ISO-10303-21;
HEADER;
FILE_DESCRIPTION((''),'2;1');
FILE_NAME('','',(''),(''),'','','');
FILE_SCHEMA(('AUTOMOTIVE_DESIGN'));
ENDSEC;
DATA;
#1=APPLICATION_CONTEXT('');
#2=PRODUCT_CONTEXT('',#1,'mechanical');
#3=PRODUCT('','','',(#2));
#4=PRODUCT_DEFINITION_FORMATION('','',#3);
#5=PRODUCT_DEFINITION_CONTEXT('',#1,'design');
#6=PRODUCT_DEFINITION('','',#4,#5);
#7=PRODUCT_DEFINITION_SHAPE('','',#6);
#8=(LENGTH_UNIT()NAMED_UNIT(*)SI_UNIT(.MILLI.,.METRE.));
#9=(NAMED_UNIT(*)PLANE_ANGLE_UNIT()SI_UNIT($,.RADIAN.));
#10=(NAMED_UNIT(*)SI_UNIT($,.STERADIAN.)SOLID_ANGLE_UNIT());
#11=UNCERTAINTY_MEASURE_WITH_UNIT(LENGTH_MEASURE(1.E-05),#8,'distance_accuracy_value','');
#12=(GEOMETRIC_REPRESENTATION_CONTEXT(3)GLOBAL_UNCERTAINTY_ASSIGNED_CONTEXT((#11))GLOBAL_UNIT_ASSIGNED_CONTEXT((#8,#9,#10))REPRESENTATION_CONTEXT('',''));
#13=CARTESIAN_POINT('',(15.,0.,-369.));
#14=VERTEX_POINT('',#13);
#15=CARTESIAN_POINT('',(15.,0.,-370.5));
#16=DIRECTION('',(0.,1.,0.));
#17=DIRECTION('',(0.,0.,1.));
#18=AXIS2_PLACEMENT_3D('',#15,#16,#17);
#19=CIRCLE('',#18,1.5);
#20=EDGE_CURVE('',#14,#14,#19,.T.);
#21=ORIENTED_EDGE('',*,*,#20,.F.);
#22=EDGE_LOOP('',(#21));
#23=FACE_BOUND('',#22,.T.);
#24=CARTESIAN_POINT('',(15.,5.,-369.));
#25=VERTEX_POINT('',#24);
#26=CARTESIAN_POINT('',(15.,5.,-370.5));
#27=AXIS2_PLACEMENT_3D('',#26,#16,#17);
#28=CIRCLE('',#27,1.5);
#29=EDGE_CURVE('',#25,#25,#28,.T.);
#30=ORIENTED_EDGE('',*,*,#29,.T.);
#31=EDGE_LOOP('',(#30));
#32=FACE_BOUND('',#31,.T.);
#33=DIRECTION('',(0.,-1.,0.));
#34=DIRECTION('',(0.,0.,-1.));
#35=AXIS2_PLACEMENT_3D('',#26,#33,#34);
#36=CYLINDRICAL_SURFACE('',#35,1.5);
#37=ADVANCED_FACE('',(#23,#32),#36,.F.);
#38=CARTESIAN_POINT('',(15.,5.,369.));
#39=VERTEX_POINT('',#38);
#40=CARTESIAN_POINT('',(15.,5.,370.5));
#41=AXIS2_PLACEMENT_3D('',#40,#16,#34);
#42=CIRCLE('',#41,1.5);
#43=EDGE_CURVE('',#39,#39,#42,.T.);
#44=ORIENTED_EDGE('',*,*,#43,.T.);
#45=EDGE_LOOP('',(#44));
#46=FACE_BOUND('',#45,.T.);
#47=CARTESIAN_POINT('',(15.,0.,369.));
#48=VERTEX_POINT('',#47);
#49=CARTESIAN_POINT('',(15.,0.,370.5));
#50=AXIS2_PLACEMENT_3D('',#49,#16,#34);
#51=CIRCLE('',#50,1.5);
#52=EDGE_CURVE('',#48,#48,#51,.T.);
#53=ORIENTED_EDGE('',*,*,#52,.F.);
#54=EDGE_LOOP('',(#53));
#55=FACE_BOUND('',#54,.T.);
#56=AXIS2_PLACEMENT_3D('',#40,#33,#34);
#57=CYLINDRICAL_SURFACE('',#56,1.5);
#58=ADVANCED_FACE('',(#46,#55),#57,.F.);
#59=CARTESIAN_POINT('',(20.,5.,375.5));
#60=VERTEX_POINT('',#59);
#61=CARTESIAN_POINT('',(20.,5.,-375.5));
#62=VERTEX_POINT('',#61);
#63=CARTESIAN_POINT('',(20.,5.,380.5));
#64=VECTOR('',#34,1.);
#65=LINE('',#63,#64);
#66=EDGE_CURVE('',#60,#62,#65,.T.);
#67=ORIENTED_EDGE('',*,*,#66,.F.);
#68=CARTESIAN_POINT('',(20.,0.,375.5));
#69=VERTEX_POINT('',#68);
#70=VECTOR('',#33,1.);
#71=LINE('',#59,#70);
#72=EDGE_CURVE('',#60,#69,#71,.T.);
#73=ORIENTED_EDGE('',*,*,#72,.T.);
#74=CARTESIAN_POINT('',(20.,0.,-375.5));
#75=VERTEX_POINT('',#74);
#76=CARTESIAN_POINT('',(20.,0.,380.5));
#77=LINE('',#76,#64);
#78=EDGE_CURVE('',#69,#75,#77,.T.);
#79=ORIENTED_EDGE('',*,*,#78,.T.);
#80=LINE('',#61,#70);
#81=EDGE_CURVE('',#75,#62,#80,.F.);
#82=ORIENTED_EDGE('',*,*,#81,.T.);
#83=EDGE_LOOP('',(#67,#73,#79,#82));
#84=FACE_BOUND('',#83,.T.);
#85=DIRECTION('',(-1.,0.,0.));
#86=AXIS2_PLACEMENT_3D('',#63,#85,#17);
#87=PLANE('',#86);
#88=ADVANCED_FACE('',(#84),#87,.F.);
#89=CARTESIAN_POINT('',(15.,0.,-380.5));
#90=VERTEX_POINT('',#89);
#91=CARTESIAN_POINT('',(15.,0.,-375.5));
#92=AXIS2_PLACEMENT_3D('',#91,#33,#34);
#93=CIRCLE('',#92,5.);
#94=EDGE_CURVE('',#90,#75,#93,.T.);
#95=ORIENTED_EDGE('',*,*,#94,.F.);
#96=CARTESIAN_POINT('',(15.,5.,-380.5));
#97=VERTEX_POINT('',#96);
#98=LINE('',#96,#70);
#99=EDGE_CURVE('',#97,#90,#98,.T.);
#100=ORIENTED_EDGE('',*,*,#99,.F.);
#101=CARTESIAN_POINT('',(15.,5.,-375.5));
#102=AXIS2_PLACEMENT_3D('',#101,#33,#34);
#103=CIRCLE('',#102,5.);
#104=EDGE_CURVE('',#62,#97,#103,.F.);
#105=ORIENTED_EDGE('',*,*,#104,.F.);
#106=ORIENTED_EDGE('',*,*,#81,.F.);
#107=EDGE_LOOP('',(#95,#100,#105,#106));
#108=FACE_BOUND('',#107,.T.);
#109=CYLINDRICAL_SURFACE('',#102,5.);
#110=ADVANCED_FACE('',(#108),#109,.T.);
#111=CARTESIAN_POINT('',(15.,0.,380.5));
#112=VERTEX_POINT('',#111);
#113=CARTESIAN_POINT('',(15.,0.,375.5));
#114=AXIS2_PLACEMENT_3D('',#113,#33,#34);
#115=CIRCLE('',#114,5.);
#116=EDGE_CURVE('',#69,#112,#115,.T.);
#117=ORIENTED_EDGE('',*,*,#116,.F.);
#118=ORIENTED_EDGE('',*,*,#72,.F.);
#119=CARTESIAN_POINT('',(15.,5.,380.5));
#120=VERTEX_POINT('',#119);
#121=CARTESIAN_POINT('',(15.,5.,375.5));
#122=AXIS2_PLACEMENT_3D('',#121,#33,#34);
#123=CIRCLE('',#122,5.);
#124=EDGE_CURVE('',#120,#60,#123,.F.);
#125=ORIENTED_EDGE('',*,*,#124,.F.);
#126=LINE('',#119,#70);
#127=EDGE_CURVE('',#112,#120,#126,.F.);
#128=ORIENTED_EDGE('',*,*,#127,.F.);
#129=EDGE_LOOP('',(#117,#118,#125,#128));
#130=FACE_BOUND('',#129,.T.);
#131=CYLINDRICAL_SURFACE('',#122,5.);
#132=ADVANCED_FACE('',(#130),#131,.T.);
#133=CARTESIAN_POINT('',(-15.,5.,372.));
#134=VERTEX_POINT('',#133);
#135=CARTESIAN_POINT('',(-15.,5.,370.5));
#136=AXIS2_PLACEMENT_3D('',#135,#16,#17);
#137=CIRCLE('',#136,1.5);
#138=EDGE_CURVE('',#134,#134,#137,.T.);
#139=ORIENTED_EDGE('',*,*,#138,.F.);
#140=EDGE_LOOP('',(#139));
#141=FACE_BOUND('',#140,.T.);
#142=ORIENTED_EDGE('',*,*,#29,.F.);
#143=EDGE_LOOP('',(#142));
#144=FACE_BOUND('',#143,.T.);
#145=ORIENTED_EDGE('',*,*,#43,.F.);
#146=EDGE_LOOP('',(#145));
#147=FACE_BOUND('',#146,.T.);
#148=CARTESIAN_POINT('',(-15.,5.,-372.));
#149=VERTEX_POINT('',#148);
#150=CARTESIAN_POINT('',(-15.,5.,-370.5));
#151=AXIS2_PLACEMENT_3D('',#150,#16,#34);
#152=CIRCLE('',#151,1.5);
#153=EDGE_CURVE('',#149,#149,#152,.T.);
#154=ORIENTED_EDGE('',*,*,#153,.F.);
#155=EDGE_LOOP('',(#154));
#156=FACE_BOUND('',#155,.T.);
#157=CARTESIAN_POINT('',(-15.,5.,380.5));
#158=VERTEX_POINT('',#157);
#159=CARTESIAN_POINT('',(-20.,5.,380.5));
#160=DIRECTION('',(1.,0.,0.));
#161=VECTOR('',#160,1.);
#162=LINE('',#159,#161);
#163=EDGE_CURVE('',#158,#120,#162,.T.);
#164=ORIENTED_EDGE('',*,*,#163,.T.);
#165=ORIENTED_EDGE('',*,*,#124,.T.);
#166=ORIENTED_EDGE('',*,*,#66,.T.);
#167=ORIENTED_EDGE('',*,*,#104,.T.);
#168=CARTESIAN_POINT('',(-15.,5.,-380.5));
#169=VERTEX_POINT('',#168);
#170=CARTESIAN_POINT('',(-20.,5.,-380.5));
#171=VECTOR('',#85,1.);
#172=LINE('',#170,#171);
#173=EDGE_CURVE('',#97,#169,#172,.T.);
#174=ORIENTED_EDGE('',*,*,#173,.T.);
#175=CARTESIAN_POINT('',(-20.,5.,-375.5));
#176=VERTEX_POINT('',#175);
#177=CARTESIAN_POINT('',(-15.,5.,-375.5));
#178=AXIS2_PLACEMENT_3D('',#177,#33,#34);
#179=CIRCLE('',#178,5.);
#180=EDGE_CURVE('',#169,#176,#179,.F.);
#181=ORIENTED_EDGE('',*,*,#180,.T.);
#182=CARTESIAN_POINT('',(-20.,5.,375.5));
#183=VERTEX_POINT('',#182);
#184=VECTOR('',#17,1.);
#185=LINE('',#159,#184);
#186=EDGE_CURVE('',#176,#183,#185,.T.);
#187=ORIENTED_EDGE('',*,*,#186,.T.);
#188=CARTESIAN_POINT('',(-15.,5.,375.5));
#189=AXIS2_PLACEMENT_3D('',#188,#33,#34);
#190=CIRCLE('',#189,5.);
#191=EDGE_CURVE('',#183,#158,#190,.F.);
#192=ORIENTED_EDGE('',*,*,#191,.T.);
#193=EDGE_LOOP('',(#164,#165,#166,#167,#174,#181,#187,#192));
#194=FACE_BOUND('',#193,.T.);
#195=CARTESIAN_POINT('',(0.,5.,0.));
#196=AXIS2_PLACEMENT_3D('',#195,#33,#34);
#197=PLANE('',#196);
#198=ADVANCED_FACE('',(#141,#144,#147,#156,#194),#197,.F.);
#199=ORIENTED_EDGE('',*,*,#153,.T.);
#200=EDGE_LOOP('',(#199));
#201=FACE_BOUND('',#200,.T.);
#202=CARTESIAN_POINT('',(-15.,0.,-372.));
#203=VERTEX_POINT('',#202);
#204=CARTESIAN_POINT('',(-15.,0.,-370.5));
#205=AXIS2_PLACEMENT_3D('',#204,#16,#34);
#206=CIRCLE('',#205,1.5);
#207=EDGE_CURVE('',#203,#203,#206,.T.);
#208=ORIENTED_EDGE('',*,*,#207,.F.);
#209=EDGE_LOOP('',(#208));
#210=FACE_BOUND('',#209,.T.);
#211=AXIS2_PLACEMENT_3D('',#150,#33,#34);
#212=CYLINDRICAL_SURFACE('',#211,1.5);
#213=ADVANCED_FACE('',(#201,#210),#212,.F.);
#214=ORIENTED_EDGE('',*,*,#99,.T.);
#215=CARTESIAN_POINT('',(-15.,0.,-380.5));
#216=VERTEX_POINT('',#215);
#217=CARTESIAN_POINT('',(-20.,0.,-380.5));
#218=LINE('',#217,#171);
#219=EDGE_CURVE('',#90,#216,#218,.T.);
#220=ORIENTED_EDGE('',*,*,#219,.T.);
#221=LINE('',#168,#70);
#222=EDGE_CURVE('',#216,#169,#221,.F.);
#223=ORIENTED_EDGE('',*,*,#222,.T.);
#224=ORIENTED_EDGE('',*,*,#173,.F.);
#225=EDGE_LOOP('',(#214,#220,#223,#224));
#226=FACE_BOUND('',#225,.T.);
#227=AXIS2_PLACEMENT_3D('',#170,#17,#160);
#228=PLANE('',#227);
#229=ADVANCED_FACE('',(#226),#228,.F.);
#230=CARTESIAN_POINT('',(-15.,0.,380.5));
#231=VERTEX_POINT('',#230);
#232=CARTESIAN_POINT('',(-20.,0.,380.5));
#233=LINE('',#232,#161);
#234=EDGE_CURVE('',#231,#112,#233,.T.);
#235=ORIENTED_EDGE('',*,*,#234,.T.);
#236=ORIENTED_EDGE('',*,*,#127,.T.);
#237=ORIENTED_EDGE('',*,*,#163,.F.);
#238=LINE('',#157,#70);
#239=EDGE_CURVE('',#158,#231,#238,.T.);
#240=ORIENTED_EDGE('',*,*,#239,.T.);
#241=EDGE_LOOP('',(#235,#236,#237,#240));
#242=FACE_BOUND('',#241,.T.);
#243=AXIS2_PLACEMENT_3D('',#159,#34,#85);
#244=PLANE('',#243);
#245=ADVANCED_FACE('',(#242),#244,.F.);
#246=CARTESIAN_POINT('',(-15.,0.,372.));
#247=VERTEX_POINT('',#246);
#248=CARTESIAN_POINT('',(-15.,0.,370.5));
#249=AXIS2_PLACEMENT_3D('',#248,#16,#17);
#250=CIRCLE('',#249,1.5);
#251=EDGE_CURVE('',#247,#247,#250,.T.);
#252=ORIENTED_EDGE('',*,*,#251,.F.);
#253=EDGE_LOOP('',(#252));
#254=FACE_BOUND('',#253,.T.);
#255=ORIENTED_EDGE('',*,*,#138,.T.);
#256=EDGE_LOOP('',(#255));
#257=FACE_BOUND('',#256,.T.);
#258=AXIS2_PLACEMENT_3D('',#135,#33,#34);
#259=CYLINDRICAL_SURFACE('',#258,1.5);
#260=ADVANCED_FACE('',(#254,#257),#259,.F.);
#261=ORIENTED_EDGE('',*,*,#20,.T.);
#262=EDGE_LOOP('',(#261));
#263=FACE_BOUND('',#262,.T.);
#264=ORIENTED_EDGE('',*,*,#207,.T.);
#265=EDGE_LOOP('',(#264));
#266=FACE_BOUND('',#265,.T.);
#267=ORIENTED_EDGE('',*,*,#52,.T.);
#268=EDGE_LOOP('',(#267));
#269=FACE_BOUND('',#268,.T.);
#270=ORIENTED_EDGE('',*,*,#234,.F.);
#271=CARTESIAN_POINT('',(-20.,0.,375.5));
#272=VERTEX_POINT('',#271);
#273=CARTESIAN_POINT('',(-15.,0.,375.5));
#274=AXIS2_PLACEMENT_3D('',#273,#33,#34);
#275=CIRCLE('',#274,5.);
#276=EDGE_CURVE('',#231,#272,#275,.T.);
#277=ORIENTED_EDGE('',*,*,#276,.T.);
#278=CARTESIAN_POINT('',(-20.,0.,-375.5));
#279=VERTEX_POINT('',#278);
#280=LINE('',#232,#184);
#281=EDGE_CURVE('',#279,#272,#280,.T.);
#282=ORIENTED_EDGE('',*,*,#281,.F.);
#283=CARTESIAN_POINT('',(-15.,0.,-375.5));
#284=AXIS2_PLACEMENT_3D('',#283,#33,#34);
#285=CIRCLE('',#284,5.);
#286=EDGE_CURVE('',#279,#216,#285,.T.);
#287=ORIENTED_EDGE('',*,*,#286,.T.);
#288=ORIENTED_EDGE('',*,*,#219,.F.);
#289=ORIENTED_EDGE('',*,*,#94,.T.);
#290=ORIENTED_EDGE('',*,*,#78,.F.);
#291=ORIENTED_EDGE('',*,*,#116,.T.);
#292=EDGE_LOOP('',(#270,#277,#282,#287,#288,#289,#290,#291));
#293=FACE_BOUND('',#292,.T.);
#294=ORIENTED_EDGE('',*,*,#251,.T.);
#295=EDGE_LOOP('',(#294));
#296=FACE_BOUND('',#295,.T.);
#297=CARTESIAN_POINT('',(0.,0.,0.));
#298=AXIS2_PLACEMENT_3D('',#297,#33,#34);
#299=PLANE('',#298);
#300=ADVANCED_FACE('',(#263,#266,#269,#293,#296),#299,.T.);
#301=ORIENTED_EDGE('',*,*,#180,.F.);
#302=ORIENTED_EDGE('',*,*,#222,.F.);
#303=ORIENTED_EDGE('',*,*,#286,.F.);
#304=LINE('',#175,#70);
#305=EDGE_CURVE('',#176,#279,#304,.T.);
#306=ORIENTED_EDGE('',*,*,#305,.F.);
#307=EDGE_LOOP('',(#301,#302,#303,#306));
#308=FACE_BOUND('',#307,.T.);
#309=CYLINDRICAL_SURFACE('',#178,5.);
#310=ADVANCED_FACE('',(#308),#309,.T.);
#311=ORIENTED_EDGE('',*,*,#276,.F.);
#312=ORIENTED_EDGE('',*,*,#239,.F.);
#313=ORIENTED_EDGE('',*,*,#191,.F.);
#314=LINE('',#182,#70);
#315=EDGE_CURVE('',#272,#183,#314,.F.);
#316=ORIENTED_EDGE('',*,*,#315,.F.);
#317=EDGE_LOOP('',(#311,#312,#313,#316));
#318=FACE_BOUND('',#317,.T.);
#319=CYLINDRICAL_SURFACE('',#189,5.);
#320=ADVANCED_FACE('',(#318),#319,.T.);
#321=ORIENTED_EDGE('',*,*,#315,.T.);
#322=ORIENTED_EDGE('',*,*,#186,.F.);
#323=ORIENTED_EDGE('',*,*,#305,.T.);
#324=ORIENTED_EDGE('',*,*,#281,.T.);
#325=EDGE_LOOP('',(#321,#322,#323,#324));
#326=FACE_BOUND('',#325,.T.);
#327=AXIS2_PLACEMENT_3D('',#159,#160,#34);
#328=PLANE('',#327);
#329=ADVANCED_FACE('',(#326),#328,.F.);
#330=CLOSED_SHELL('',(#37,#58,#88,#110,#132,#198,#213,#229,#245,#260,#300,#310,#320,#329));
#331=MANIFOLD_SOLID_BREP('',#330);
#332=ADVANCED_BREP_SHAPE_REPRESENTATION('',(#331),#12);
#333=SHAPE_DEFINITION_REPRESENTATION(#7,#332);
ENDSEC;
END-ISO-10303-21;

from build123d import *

# Parameters (mm, degrees)
SKETCH_1_W      = 40
SKETCH_1_H      = 761
SKETCH_1_R      = 1.5
EXTRUDE_1_DEPTH = 5
FILLET_1_R      = 5


with BuildPart() as part:
    # ｽｹｯﾁ1 → ﾎﾞｽ - 押し出し1 (new body)
    with BuildSketch(Plane(origin=(0, 0, 0), x_dir=(1, 0, 0), z_dir=(0, 1, 0))):
        Rectangle(SKETCH_1_W, SKETCH_1_H)
        with Locations(Location((15, 370.5, 0), (0, 0, 270))):
            Circle(SKETCH_1_R, mode=Mode.SUBTRACT)
        with Locations(Location((-15, 370.5, 0), (0, 0, 90))):
            Circle(SKETCH_1_R, mode=Mode.SUBTRACT)
        with Locations(Location((-15, -370.5, 0), (0, 0, 270))):
            Circle(SKETCH_1_R, mode=Mode.SUBTRACT)
        with Locations(Location((15, -370.5, 0), (0, 0, 90))):
            Circle(SKETCH_1_R, mode=Mode.SUBTRACT)
    extrude(amount=EXTRUDE_1_DEPTH)

    # ﾌｨﾚｯﾄ1
    fillet_1_edges = [part.edges().sort_by_distance(p)[0] for p in [
        (20, 2.5, 380.5),
        (-20, 2.5, 380.5),
        (-20, 2.5, -380.5),
        (20, 2.5, -380.5),
    ]]
    fillet(fillet_1_edges, radius=FILLET_1_R)


solid = part.part
